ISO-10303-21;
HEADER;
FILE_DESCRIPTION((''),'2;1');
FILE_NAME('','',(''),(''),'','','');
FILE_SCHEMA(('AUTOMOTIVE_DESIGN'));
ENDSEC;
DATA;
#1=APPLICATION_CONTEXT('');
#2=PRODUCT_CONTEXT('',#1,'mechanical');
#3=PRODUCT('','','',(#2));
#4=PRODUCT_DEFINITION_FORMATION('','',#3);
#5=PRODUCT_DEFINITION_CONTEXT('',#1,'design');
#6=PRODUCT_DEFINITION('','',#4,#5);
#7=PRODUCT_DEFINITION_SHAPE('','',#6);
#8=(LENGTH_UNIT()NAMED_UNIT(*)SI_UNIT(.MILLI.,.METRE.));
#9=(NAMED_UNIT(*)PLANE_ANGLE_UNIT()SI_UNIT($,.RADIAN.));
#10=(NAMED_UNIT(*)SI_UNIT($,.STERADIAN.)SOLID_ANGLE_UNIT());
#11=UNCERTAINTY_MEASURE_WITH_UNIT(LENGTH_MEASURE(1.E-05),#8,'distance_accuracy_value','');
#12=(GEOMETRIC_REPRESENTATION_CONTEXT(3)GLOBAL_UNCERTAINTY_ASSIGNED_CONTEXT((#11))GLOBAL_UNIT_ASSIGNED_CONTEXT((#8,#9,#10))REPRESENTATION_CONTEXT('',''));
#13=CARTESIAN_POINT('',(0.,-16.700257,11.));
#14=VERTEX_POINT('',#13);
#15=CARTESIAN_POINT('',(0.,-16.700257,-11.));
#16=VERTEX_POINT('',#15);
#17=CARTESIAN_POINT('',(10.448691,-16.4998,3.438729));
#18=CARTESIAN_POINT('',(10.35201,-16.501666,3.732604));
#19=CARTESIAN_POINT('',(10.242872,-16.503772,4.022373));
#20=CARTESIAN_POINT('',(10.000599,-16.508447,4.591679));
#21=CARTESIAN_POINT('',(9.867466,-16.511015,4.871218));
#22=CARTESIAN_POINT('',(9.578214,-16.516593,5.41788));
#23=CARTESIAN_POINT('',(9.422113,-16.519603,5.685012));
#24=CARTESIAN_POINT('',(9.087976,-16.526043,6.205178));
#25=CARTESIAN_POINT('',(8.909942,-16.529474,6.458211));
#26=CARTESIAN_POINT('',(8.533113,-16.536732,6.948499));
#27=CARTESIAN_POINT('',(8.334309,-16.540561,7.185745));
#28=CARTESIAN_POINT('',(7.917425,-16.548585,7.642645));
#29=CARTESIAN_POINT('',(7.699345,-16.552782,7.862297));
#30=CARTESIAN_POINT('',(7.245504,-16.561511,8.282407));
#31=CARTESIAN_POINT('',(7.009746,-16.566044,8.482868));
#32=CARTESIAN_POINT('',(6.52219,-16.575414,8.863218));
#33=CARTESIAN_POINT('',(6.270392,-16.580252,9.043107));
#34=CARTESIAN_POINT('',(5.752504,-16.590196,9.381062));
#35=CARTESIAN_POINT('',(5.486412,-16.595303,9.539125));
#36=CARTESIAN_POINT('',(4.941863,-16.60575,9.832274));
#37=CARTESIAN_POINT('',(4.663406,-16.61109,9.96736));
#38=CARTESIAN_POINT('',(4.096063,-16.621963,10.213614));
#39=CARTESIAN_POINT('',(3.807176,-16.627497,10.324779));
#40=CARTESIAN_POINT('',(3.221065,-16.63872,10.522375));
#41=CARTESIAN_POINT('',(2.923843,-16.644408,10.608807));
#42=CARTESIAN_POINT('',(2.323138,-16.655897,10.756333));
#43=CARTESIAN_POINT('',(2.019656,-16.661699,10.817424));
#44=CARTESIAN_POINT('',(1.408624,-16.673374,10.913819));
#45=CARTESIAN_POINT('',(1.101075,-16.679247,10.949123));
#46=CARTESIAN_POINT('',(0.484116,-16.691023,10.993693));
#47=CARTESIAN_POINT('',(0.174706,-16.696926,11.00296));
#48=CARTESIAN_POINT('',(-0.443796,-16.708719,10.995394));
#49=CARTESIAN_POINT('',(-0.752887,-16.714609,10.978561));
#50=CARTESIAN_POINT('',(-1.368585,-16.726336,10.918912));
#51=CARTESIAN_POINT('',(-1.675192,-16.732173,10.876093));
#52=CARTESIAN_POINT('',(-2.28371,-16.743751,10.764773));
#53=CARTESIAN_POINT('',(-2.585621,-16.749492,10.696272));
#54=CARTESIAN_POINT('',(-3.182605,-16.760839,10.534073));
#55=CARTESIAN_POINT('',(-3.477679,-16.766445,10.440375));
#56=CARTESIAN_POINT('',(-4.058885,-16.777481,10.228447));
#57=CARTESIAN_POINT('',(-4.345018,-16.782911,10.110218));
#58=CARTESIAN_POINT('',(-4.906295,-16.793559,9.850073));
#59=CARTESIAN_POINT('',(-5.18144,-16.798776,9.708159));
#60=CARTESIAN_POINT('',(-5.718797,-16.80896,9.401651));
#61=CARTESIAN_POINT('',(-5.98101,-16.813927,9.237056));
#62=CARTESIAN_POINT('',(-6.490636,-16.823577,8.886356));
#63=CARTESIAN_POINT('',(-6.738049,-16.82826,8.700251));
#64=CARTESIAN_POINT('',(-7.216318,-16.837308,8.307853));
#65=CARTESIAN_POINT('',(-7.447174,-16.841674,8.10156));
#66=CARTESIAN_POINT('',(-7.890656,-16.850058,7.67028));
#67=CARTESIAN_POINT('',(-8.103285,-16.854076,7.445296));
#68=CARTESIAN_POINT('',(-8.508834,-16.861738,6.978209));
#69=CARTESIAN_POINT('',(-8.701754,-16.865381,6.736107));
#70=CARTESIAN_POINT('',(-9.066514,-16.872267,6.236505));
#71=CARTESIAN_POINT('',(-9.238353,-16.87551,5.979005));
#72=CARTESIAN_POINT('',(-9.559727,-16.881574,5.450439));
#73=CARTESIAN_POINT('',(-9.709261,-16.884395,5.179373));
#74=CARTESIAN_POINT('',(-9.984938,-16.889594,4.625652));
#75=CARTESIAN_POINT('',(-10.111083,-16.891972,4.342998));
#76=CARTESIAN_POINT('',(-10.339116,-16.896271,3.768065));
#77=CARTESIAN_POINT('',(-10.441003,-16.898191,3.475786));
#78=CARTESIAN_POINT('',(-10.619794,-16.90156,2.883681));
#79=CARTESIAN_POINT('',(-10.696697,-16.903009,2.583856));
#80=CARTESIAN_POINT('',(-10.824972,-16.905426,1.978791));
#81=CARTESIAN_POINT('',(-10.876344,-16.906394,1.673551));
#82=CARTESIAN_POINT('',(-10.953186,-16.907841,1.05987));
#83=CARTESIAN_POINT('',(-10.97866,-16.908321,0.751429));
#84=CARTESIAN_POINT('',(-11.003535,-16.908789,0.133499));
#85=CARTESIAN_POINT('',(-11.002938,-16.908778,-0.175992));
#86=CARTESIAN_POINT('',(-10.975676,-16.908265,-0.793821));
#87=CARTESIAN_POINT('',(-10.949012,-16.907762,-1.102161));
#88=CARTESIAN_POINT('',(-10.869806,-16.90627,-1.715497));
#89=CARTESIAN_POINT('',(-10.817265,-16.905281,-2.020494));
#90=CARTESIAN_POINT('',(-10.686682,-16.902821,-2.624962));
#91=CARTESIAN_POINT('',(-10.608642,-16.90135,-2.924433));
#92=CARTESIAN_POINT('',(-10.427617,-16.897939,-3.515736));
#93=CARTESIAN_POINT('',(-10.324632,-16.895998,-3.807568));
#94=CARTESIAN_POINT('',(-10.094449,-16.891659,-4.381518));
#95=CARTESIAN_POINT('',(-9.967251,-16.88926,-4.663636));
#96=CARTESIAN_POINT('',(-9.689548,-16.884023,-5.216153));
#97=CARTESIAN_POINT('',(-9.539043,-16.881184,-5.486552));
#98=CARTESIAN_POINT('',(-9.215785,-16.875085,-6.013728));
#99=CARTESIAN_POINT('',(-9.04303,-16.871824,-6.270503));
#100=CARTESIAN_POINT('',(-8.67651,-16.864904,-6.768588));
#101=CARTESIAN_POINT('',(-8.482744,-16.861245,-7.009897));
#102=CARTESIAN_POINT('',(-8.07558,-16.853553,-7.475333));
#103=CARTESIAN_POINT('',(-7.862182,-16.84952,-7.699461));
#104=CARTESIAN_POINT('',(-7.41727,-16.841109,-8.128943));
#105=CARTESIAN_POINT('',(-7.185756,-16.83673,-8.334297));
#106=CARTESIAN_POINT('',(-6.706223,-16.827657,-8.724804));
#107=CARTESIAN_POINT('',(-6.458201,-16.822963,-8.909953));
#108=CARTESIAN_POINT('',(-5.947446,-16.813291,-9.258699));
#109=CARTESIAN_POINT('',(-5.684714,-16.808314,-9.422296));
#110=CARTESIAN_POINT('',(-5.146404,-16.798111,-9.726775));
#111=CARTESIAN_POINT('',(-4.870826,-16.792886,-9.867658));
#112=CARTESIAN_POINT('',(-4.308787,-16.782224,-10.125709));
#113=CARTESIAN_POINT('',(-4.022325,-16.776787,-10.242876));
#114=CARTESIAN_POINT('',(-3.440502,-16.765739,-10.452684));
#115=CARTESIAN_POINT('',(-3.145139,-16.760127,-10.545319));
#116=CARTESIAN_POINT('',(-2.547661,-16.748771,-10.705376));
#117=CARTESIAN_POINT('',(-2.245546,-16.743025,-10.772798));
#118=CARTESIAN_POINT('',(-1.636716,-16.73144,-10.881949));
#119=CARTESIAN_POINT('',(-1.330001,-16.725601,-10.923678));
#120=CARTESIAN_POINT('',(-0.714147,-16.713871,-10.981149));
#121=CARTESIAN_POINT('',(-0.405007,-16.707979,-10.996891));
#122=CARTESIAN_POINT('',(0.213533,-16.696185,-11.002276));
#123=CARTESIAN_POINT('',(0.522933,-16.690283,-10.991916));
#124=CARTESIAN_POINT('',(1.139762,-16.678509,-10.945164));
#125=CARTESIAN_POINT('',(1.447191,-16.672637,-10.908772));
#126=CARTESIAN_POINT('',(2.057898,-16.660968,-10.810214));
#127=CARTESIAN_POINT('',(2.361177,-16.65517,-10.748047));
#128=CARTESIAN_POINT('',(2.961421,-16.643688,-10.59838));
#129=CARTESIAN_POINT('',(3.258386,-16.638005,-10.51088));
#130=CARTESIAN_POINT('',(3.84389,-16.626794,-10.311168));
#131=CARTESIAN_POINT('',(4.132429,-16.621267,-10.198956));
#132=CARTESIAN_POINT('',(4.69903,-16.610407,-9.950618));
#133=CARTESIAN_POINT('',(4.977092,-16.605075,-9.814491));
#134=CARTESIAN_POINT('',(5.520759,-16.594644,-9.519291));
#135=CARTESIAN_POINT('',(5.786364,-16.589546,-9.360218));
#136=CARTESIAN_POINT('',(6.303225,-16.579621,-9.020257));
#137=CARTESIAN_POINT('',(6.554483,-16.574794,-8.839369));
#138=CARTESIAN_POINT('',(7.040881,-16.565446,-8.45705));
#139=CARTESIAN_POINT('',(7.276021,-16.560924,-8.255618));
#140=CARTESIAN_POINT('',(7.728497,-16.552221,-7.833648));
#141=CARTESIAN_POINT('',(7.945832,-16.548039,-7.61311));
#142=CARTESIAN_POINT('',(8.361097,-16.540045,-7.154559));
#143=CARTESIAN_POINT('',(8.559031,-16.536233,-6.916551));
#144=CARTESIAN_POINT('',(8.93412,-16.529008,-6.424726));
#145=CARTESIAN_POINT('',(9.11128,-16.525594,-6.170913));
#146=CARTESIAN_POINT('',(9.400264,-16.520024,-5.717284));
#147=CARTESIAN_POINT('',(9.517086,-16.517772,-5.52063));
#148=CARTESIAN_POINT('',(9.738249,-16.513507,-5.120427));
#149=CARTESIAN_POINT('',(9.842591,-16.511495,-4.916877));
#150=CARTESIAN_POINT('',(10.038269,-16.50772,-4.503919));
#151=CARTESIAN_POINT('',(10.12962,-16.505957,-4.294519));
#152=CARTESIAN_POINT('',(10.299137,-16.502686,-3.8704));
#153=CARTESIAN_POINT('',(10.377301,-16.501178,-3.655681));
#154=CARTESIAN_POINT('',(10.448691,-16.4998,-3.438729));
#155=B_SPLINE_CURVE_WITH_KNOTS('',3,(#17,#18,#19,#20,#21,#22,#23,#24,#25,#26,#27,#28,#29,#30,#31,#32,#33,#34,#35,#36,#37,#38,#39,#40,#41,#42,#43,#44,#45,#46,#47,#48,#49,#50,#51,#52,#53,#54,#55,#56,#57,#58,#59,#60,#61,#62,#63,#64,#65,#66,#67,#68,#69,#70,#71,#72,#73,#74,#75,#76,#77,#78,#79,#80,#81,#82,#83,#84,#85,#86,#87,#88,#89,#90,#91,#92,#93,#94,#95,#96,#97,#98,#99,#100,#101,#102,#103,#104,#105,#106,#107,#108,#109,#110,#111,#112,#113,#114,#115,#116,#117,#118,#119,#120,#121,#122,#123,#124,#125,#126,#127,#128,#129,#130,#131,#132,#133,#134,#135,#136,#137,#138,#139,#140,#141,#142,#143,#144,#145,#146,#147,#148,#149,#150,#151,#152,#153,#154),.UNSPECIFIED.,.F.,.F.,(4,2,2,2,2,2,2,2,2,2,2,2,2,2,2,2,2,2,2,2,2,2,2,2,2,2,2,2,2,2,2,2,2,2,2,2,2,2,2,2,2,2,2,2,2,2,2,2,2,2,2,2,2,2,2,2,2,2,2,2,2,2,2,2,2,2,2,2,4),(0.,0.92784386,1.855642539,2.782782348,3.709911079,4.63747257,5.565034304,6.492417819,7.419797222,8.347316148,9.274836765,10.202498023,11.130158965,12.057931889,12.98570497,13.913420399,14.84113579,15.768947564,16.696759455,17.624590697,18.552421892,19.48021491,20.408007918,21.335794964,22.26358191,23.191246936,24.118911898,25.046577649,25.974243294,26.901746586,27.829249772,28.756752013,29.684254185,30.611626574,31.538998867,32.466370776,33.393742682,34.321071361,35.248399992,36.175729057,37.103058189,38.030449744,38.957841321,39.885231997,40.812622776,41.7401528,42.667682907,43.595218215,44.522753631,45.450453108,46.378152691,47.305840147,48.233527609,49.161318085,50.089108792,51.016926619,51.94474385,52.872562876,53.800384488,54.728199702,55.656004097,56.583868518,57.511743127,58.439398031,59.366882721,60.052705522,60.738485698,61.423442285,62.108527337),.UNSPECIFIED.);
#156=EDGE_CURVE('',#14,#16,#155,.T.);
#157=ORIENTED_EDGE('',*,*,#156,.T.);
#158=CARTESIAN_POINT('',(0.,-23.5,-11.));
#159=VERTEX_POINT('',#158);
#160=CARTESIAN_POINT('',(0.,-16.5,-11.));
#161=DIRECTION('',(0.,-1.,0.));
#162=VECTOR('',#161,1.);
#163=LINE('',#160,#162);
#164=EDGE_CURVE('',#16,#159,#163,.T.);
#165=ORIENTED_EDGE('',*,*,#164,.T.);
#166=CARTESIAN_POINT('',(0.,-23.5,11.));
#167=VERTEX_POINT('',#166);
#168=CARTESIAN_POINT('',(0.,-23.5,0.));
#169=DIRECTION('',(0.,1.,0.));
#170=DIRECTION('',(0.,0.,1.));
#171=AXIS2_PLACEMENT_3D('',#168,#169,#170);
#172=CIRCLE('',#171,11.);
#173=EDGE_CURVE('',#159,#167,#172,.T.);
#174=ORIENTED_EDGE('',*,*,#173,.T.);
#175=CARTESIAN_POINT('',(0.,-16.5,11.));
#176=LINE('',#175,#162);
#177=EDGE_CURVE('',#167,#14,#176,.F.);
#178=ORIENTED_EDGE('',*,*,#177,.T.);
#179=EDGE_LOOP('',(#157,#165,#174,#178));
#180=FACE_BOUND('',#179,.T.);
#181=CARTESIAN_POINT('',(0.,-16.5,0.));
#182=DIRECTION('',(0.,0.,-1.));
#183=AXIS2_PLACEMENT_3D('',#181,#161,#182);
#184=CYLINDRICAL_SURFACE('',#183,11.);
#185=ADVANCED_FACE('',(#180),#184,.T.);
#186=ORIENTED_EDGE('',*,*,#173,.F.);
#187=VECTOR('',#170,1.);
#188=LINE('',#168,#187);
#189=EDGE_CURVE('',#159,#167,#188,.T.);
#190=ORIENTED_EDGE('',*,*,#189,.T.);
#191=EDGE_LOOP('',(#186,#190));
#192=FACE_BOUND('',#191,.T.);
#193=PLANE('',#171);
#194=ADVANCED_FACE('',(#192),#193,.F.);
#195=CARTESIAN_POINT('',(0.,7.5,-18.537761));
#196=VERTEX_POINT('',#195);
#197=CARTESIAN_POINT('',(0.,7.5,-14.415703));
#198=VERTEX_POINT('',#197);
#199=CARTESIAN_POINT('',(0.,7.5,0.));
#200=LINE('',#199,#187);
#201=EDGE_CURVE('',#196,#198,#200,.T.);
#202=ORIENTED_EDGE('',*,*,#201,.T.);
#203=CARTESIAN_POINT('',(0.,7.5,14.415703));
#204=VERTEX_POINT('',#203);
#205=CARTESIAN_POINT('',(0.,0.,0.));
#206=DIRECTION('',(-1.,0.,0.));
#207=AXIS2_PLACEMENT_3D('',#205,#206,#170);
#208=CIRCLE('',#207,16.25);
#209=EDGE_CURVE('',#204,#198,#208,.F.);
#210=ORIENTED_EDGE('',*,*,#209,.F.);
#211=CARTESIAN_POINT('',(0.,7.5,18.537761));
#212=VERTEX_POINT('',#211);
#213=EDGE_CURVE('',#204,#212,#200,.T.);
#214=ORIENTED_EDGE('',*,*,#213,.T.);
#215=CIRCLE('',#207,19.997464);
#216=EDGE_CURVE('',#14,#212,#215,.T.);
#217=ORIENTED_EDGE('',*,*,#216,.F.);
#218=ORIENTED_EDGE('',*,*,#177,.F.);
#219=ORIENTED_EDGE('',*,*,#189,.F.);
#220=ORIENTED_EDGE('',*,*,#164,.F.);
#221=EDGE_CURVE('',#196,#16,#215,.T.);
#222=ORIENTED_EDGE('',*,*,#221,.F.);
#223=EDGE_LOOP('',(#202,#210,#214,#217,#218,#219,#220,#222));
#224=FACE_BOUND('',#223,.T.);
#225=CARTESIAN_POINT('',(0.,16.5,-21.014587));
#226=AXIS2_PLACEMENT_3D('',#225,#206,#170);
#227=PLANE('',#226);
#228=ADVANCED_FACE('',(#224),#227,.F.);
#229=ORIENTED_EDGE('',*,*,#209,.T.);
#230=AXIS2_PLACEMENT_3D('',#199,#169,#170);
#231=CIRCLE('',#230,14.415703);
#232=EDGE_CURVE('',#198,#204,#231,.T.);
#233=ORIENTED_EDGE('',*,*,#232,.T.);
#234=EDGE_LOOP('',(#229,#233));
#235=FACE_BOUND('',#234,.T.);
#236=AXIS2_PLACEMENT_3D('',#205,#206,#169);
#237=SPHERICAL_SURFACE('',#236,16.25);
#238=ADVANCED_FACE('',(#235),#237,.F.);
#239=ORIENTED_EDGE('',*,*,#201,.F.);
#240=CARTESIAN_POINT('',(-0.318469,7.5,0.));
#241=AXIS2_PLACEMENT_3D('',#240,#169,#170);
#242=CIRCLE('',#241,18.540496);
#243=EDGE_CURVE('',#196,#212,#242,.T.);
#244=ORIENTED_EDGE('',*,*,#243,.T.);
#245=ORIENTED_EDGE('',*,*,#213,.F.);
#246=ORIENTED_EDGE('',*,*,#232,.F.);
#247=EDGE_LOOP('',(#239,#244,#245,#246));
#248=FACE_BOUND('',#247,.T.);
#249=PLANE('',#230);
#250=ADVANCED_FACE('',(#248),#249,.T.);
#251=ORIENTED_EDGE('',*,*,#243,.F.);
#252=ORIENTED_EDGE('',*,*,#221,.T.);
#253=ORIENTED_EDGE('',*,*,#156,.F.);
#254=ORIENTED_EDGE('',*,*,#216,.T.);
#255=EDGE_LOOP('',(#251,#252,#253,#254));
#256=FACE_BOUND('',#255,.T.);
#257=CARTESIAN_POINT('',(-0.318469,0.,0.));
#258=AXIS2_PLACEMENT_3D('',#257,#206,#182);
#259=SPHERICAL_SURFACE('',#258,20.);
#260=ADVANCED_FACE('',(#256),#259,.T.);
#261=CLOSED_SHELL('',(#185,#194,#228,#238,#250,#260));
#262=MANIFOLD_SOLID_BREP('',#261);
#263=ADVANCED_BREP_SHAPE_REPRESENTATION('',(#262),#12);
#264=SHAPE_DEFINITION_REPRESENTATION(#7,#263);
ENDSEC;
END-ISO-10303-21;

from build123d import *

# Parameters (mm, degrees)
SKETCH2_W           = 42
SKETCH2_H           = 42
CUT_EXTRUDE1_DEPTH  = 20
SKETCH4_R           = 11
BOSS_EXTRUDE1_DEPTH = 3.5
SKETCH5_W           = 37.942079283
SKETCH5_H           = 42.029174216
CUT_EXTRUDE2_DEPTH  = 40


with BuildPart() as part:
    # Sketch1 → Revolve2 (revolve)
    with BuildSketch(Plane(origin=(0, 0, 0), x_dir=(1, 0, 0), z_dir=(0, 1, 0))):
        with BuildLine():
            Line((-20.31846942, 0), (19.68153058, 0))
            ThreePointArc((19.68153058, 0), (-0.31846942, 20), (-20.31846942, 0))
        make_face()
    revolve(axis=Axis((-66.656056584, 0, 0), (1, 0, 0)))

    # Sketch2 → Cut-Extrude1 (cut)
    with BuildSketch(Plane(origin=(0, 7.5, 0), x_dir=(1, 0, 0), z_dir=(0, 1, 0))):
        Rectangle(SKETCH2_W, SKETCH2_H)
    extrude(amount=CUT_EXTRUDE1_DEPTH, mode=Mode.SUBTRACT)

    # Sketch3 → Cut-Revolve1 (revolve, cut)
    with BuildSketch(Plane.XY):
        with BuildLine():
            Line((16.25, 0), (-16.25, 0))
            ThreePointArc((-16.25, 0), (0, -16.25), (16.25, 0))
        make_face()
    revolve(axis=Axis((-20.31846942, 0, 0), (1, 0, 0)), mode=Mode.SUBTRACT)

    # Sketch4 → Boss-Extrude1 (add, symmetric)
    with BuildSketch(Plane(origin=(0, -20, 0), x_dir=(1, 0, 0), z_dir=(0, 1, 0))):
        Circle(SKETCH4_R)
    extrude(amount=BOSS_EXTRUDE1_DEPTH, both=True)

    # Sketch5 → Cut-Extrude2 (cut)
    with BuildSketch(Plane.XZ.offset(23.5)):
        with Locations((18.971039642, 0)):
            Rectangle(SKETCH5_W, SKETCH5_H)
    extrude(amount=-CUT_EXTRUDE2_DEPTH, mode=Mode.SUBTRACT)


solid = part.part
